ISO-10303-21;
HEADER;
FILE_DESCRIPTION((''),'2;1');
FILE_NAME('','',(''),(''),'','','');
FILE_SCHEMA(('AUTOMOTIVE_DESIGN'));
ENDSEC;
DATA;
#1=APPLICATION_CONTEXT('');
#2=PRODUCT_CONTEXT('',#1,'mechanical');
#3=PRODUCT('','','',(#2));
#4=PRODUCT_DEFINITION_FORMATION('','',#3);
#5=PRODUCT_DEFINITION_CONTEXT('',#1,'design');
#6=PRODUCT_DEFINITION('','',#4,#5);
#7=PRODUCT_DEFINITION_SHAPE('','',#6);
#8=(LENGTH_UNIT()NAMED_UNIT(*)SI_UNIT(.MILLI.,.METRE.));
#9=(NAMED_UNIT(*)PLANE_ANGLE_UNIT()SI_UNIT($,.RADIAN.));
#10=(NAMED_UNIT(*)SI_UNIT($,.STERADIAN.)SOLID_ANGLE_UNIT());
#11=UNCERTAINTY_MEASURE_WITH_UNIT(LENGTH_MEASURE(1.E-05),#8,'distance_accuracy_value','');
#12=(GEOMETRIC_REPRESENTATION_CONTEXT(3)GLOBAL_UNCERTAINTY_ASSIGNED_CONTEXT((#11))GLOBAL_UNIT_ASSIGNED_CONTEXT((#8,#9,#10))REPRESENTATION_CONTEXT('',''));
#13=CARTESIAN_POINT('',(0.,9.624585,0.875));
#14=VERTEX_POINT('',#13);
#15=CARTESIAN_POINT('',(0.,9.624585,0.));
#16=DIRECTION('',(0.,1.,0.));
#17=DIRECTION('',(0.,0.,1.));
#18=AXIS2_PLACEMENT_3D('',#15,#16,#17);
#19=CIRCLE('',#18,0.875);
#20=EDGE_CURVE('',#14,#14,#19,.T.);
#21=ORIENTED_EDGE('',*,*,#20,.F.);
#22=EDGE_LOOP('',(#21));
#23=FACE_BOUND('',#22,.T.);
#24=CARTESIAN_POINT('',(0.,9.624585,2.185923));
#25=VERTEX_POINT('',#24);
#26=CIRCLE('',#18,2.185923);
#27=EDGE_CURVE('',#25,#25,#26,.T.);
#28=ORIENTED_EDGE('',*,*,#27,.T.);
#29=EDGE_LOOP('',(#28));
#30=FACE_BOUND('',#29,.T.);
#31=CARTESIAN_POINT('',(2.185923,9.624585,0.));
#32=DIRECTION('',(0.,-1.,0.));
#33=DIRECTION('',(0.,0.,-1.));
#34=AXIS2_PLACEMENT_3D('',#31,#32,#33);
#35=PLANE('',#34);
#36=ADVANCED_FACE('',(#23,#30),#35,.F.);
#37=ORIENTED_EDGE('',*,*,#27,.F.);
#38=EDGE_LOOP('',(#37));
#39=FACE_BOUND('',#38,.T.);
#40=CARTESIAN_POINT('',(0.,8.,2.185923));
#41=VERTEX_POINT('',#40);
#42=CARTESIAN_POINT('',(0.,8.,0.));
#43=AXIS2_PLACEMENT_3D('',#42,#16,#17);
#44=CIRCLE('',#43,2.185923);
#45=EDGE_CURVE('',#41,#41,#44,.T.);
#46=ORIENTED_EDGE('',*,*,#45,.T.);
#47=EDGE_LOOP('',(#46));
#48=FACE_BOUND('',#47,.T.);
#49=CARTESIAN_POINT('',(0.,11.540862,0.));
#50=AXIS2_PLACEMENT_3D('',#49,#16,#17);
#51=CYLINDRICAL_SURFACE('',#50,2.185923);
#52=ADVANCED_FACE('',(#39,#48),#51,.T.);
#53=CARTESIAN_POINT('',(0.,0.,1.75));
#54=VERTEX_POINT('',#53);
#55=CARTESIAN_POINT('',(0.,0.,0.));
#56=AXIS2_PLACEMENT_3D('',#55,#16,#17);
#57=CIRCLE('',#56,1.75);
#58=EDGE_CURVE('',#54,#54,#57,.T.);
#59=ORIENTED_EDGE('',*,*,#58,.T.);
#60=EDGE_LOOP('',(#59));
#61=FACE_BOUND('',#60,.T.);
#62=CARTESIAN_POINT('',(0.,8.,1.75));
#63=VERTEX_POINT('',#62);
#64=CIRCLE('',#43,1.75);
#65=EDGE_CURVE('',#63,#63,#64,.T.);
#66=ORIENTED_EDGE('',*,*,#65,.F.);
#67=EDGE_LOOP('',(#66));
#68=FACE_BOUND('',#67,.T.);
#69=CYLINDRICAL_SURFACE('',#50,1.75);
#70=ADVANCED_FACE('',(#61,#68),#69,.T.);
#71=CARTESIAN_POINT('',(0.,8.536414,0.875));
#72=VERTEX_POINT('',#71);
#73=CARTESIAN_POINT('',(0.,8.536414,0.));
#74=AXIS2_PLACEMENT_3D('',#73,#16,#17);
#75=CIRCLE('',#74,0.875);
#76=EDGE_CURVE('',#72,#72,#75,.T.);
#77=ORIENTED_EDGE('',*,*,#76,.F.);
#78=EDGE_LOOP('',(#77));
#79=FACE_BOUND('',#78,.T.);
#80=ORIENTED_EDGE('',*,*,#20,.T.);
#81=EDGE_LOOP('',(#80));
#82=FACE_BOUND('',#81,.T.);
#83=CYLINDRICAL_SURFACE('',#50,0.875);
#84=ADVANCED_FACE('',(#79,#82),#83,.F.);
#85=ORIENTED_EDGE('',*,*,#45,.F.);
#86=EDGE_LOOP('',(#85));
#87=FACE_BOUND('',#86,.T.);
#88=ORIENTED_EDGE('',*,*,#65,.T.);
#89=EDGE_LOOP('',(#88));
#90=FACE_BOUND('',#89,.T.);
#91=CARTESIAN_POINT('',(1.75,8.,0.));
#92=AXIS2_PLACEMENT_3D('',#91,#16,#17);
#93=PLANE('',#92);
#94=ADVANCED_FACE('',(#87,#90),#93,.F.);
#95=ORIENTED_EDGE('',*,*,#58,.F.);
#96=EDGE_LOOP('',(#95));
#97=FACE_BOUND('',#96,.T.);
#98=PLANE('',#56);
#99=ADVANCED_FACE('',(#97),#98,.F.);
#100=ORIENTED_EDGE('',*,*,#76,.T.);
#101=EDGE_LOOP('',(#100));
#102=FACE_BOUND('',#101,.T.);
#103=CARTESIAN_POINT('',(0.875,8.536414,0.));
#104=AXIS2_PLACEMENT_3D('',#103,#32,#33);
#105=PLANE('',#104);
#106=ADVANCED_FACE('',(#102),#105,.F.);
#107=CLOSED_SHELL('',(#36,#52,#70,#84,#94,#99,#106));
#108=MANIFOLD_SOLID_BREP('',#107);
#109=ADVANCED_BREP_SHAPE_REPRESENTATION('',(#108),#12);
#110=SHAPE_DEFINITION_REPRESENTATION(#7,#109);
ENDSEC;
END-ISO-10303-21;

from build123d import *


with BuildPart() as part:
    # Sketch1 → Revolve1 (revolve)
    with BuildSketch(Plane.XY):
        Polygon((0, 0), (1.75, 0), (1.75, 8), (2.185923493, 8), (2.185923493, 9.624585263), (0.875, 9.624585263), (0.875, 8.536413651), (0, 8.536413651), align=None)
    revolve(axis=Axis((0, 11.540862321, 0), (0, -1, 0)))


solid = part.part
